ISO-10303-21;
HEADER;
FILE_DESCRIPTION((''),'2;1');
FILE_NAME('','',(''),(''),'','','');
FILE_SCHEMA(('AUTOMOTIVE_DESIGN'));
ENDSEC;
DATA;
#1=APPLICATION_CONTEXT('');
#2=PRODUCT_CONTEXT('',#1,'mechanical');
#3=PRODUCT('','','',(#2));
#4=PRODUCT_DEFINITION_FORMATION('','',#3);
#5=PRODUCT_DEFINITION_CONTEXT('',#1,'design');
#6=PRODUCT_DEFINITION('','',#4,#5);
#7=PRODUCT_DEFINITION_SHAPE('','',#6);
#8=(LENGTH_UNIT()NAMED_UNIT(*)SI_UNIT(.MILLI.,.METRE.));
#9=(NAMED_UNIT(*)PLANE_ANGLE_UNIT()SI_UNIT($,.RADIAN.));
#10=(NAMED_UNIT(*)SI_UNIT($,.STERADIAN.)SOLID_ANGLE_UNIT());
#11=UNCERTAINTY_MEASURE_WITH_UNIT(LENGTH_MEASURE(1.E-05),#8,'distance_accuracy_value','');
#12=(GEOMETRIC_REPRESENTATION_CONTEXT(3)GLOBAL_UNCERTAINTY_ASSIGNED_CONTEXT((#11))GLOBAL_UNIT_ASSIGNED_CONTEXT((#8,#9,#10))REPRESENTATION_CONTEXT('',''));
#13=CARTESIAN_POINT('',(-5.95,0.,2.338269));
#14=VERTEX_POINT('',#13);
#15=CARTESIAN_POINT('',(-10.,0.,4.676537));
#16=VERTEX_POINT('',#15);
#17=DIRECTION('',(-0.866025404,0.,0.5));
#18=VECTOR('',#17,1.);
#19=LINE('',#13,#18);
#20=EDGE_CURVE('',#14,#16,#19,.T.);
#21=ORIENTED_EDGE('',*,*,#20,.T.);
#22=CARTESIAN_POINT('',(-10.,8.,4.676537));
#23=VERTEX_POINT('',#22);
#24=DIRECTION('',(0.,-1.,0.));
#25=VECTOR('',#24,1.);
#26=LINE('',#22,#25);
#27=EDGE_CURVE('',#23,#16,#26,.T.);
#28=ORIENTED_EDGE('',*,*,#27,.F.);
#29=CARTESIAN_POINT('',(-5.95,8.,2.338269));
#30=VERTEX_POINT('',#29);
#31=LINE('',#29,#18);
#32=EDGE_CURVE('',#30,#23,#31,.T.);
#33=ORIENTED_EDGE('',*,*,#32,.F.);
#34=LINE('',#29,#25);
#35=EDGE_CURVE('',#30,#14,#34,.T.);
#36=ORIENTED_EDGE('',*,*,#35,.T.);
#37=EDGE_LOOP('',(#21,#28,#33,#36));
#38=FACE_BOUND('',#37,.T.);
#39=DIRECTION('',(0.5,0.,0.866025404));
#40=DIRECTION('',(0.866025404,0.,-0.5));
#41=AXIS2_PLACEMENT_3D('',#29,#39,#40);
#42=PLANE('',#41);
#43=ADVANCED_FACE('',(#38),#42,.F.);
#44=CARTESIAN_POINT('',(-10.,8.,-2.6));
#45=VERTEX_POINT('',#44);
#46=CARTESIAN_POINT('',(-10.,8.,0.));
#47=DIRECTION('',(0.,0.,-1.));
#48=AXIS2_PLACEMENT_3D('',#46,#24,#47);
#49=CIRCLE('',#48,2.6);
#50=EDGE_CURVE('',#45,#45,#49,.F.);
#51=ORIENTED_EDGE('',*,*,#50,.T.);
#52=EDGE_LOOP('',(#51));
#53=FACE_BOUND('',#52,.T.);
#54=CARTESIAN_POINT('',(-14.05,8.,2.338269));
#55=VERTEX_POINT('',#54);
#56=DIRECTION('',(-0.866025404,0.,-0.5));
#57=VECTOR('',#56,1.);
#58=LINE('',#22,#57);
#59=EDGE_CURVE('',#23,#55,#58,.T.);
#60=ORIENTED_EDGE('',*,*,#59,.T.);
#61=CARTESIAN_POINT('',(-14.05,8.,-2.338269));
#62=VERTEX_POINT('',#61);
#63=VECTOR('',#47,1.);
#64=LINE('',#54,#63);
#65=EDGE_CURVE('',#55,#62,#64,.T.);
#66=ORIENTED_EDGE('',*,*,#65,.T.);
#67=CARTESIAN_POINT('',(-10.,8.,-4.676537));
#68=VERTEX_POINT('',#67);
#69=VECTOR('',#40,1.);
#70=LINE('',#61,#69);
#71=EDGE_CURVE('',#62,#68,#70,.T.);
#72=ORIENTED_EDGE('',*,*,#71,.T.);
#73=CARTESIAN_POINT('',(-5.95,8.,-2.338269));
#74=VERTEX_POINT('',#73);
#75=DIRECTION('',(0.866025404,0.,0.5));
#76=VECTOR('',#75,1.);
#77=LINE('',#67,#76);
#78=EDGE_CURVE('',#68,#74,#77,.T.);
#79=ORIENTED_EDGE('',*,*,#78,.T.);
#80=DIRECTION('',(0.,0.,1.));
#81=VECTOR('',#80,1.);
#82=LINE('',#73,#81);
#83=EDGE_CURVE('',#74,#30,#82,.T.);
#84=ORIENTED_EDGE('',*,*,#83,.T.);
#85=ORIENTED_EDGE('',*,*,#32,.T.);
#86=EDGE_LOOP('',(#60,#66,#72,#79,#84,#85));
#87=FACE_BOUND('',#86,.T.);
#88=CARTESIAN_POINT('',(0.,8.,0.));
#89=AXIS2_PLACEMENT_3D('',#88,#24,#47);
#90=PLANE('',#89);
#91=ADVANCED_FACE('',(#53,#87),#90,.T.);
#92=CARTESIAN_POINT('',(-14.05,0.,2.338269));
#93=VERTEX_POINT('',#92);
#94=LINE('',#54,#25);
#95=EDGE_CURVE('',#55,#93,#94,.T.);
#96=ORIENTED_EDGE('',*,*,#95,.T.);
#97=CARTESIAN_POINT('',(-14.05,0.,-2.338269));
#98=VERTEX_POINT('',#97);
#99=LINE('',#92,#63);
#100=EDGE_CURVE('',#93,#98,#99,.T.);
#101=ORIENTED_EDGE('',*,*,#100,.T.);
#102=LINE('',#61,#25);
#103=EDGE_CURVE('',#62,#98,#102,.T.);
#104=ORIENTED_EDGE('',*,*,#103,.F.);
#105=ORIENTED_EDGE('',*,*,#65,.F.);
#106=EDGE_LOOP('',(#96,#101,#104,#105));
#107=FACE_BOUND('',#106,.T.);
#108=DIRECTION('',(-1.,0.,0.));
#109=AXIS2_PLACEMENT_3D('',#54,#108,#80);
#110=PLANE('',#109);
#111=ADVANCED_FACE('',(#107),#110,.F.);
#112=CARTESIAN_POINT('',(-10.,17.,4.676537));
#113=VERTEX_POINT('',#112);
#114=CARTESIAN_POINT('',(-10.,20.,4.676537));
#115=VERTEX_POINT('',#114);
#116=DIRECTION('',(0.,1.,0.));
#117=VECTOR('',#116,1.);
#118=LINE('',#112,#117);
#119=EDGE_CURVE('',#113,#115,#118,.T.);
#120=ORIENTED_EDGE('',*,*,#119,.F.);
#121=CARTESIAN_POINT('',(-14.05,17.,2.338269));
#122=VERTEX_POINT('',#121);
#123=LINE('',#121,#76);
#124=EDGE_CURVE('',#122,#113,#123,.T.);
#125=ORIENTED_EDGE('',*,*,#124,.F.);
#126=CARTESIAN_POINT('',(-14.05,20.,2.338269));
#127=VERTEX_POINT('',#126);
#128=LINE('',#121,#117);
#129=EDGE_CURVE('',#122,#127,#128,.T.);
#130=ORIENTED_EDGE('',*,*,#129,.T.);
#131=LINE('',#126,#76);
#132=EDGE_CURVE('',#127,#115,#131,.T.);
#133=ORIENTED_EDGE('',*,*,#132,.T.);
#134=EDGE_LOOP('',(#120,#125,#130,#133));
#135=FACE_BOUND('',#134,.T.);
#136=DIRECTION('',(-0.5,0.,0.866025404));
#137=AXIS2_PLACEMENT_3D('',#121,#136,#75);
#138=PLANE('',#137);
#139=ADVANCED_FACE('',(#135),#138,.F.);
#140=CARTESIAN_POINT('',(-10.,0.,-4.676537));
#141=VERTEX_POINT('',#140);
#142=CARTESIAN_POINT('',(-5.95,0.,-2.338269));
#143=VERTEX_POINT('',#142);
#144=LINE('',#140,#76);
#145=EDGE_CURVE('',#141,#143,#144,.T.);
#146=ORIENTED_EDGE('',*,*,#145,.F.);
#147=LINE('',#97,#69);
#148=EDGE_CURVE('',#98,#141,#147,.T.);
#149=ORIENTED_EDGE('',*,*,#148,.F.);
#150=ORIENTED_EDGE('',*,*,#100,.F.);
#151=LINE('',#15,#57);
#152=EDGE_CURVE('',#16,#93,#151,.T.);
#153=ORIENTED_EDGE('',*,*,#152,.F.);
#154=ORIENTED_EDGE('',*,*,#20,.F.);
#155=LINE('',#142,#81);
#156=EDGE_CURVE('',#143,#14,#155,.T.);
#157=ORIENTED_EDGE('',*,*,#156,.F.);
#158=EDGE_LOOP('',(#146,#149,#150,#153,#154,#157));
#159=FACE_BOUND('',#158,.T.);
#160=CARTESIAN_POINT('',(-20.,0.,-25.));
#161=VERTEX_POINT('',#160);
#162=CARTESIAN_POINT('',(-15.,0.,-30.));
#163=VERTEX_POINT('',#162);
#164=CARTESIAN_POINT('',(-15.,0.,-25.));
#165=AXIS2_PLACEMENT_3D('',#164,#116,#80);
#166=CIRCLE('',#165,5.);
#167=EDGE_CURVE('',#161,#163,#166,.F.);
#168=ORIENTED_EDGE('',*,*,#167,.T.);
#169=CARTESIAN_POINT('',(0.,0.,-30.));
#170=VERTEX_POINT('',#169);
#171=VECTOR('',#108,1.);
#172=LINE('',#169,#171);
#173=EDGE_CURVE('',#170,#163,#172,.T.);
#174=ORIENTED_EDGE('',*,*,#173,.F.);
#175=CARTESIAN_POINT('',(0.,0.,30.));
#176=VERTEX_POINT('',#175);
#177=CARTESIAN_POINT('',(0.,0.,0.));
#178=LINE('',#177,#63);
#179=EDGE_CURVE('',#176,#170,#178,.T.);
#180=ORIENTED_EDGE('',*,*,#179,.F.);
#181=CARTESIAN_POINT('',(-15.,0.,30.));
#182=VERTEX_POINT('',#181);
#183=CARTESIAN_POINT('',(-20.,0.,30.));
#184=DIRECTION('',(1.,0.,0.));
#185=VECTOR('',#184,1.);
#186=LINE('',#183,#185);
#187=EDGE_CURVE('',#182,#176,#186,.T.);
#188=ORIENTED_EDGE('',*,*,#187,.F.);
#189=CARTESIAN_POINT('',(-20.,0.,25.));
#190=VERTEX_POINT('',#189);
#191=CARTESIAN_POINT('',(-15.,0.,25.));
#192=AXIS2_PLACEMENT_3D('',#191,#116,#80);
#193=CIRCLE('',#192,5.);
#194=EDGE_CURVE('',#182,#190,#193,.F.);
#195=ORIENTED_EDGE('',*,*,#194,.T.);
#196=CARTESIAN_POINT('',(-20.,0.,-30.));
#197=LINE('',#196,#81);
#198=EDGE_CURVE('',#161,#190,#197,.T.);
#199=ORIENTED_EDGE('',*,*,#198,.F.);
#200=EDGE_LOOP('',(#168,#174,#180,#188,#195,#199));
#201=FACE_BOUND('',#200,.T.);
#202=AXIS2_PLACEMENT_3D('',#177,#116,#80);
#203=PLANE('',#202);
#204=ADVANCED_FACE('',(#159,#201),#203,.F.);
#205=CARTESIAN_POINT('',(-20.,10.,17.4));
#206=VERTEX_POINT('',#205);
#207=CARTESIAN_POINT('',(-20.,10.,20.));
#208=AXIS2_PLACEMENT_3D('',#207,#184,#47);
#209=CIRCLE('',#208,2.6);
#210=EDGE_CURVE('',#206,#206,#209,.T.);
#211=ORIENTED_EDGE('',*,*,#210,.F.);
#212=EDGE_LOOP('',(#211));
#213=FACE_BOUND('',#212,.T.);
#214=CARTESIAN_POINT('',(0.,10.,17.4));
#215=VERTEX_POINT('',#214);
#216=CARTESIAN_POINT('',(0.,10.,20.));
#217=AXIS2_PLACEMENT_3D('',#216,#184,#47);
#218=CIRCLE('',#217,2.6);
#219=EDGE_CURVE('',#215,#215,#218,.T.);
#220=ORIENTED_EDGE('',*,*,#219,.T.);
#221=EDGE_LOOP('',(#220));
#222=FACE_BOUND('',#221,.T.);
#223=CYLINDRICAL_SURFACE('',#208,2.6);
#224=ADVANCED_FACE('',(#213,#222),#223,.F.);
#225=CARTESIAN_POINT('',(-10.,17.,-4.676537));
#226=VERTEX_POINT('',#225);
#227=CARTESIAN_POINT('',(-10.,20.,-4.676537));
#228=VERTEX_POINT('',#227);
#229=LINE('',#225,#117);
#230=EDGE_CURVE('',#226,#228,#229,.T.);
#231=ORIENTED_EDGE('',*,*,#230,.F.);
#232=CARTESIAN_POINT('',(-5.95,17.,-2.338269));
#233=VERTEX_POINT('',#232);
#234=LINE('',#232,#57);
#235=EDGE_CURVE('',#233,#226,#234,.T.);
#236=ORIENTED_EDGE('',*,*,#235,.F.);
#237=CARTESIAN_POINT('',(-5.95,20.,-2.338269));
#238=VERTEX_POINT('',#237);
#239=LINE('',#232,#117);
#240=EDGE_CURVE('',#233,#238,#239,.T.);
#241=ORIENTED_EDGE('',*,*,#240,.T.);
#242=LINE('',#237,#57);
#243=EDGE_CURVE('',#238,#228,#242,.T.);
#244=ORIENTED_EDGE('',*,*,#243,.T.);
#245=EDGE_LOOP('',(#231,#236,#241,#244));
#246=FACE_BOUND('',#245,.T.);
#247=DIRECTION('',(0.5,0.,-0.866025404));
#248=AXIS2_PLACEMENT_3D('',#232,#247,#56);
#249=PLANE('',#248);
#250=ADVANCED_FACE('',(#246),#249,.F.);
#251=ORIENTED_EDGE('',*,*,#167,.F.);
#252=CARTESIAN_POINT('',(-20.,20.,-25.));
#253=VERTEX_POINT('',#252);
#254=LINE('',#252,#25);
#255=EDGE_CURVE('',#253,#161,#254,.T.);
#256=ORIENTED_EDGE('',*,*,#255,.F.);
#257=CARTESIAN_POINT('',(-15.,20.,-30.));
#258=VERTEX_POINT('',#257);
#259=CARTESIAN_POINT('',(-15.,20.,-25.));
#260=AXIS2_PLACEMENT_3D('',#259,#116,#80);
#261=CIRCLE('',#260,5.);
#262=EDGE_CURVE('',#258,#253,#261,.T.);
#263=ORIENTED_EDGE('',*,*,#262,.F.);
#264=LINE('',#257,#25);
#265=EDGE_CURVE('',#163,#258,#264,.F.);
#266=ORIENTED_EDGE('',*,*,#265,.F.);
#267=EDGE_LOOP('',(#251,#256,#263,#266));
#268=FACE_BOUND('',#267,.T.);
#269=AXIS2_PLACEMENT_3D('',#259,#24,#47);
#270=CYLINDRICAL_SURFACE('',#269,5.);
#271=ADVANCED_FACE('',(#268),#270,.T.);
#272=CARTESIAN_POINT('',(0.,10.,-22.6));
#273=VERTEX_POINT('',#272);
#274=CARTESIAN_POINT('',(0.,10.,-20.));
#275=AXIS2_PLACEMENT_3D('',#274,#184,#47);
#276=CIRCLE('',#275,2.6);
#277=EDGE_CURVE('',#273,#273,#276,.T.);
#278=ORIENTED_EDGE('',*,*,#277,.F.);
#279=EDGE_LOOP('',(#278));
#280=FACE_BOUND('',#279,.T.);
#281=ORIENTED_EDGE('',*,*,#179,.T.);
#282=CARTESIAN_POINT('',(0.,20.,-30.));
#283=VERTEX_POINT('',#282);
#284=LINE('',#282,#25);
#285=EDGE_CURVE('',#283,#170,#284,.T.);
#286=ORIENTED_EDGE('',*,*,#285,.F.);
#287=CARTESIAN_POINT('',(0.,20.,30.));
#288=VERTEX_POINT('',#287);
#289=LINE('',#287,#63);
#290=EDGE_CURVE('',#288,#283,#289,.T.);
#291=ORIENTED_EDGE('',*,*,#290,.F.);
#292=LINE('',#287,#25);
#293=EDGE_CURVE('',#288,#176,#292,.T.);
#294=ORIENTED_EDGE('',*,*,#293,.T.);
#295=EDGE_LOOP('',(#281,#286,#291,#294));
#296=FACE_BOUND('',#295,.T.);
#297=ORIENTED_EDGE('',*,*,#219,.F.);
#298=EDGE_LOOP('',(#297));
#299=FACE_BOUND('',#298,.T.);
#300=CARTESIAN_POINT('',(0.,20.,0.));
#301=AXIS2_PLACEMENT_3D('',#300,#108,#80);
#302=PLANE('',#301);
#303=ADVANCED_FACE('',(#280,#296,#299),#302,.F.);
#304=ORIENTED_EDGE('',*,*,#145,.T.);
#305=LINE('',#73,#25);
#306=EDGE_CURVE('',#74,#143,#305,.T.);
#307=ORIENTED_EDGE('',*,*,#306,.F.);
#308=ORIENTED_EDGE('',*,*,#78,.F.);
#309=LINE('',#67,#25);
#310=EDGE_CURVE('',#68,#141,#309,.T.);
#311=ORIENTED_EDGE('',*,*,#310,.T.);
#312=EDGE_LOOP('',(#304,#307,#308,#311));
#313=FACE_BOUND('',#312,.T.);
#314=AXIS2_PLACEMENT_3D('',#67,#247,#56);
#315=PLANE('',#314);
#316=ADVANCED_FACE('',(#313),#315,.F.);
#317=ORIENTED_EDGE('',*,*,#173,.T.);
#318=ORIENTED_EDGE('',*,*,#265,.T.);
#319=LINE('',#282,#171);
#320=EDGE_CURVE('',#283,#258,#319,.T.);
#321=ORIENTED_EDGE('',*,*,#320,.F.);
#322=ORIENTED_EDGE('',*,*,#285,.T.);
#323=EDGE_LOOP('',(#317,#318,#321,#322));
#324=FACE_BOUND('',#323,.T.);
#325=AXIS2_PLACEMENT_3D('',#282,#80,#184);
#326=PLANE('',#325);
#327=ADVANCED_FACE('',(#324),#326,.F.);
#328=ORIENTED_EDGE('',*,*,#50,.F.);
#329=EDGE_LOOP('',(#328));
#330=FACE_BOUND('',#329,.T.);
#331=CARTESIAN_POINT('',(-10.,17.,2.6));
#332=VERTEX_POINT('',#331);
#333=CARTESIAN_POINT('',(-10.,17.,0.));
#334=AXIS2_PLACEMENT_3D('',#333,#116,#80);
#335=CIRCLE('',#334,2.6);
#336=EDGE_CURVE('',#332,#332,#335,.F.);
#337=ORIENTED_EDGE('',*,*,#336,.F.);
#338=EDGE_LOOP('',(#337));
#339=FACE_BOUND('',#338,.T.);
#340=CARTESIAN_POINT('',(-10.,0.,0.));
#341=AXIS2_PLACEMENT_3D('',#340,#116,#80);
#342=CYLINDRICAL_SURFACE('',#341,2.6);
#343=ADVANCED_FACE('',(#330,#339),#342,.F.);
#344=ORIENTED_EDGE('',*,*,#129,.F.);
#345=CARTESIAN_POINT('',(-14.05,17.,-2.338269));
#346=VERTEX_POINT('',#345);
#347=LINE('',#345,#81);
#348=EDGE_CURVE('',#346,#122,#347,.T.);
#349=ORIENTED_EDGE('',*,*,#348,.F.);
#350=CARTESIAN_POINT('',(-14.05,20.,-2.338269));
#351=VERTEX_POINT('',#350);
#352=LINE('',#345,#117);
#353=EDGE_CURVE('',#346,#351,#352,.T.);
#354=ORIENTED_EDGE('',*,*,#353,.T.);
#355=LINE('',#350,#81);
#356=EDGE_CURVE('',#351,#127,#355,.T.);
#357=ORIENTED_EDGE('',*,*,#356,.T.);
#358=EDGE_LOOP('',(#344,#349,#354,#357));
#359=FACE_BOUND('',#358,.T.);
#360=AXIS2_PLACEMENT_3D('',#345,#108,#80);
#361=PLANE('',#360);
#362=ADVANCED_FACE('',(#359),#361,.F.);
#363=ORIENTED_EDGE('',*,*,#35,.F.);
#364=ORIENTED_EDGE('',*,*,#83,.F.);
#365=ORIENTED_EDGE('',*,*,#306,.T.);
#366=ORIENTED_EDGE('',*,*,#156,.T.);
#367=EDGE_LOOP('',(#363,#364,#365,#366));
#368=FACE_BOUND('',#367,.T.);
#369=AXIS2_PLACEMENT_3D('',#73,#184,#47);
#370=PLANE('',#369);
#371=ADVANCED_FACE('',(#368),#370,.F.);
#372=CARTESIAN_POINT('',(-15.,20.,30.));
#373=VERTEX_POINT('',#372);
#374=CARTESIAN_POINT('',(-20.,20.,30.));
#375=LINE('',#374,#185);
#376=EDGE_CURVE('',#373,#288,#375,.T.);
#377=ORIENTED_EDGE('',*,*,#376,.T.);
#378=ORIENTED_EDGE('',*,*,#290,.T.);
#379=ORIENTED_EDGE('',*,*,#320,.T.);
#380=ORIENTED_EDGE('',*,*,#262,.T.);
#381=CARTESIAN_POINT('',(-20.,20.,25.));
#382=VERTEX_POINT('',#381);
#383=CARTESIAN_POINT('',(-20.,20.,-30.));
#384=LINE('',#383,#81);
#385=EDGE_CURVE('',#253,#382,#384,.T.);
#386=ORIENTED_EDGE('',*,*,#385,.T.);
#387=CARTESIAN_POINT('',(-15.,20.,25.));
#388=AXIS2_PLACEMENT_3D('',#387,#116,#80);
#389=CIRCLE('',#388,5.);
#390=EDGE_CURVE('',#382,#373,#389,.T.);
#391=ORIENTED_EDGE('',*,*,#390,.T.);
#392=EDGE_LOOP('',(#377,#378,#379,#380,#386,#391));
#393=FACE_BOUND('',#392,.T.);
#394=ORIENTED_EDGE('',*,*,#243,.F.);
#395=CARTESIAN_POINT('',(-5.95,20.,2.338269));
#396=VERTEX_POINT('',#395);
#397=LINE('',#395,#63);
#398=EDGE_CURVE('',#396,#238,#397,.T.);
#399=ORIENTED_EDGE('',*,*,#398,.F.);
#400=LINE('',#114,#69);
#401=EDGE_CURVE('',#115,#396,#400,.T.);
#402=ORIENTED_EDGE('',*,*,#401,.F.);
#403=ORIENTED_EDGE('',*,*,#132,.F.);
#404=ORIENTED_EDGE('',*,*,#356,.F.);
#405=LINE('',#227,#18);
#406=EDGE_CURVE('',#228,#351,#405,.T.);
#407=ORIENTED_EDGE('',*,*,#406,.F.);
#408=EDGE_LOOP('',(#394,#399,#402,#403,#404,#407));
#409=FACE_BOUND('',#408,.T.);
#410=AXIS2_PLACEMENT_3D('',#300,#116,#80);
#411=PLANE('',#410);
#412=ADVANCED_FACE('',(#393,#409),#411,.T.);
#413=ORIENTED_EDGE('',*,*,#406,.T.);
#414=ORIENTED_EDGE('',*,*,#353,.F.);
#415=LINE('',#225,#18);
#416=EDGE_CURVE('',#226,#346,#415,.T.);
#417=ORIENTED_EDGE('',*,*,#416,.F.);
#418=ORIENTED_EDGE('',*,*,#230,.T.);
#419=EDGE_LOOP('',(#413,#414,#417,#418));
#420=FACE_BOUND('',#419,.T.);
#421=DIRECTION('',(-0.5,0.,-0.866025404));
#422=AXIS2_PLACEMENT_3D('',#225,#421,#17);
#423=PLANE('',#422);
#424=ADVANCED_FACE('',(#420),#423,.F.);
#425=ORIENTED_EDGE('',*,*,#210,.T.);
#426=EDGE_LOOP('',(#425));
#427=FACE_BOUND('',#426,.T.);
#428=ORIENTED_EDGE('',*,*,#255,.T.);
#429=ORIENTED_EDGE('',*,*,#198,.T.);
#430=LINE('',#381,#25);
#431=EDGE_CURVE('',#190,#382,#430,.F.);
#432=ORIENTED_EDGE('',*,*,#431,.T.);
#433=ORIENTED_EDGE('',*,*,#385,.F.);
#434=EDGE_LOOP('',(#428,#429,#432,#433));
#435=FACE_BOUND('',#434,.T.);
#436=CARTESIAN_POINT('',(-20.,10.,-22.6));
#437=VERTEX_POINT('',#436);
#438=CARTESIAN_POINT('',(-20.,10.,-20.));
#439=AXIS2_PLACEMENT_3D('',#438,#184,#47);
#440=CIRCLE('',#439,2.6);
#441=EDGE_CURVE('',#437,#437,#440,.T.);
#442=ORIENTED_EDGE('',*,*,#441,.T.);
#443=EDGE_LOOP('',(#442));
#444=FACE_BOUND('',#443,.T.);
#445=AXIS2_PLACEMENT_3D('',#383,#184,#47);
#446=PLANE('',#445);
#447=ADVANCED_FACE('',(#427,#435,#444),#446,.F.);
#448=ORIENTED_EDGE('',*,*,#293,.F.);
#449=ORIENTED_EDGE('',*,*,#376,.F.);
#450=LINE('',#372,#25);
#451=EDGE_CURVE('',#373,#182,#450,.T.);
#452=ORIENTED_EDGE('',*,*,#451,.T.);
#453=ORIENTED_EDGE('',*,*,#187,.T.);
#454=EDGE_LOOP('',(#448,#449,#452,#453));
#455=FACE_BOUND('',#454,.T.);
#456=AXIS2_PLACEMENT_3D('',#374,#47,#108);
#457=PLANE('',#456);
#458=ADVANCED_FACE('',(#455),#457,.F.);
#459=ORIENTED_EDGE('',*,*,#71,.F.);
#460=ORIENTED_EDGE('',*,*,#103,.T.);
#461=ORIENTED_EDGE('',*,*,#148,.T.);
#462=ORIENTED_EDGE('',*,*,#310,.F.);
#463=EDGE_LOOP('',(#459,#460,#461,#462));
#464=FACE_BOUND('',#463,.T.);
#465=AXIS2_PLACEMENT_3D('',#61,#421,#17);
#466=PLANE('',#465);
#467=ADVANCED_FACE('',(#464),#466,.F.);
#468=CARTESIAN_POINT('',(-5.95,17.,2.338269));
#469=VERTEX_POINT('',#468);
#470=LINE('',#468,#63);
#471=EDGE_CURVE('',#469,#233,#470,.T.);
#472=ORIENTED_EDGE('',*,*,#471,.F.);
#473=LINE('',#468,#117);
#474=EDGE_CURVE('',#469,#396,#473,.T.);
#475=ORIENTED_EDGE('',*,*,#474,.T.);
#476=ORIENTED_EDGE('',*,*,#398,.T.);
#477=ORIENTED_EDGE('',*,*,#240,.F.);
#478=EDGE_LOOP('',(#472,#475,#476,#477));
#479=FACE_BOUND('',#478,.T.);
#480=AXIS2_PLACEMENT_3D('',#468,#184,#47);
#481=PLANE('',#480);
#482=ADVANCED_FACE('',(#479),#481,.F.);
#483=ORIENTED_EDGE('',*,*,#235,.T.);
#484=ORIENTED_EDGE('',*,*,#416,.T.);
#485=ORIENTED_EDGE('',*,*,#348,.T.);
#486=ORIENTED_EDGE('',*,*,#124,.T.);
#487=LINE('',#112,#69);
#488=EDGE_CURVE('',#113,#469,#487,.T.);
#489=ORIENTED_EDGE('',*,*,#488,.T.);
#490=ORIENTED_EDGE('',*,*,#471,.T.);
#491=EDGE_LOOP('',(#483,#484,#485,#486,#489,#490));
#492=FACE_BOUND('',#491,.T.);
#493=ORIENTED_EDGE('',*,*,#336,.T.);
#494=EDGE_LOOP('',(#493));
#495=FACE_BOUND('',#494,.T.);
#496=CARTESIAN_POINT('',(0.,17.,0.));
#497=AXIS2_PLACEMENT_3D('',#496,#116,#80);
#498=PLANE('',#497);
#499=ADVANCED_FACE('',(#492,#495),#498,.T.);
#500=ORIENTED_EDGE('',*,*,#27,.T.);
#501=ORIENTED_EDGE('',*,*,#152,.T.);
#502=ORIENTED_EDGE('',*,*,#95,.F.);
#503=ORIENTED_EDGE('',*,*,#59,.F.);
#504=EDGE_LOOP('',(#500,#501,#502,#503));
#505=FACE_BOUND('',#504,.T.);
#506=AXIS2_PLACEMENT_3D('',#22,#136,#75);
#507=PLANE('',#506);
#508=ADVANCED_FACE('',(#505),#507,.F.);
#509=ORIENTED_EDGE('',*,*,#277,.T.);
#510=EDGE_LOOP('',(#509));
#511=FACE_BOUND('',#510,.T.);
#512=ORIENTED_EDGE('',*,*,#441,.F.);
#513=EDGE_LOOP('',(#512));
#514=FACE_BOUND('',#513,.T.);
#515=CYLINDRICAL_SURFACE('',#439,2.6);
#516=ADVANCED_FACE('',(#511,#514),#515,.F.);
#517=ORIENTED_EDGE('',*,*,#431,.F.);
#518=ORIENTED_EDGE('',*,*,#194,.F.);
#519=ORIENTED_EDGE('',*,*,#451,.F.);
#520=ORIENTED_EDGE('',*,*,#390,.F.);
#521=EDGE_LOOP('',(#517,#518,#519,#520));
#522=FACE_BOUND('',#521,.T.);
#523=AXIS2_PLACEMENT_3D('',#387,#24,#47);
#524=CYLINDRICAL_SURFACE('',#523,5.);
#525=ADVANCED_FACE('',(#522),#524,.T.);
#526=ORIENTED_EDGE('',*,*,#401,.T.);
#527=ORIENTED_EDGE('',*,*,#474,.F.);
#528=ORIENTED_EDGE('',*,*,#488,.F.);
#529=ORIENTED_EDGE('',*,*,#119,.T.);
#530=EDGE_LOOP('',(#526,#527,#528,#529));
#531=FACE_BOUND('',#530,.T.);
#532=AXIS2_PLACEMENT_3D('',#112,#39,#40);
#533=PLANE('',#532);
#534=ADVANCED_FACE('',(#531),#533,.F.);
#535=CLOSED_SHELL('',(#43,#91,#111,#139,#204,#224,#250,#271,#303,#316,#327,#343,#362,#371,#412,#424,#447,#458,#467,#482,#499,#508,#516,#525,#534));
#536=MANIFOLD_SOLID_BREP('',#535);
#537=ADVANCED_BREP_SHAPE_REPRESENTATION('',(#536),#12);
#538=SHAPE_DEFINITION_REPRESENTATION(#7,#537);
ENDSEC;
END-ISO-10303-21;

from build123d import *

# Parameters (mm, degrees)
BOSS_EXTRUDE1_DEPTH = 20
SKETCH4_R           = 2.6
CUT_EXTRUDE1_DEPTH  = 42.231056256
CUT_EXTRUDE2_DEPTH  = 3
CUT_EXTRUDE3_DEPTH  = 8
SKETCH7_R           = 2.6
CUT_EXTRUDE4_DEPTH  = 42.231056256
FILLET1_R           = 5


with BuildPart() as part:
    # Sketch1 → Boss-Extrude1 (new body)
    with BuildSketch(Plane(origin=(0, 0, 0), x_dir=(1, 0, 0), z_dir=(0, 1, 0))):
        Polygon((0, 0), (0, 30), (-20, 30), (-20, -30), (0, -30), align=None)
    extrude(amount=BOSS_EXTRUDE1_DEPTH)

    # Sketch4 → Cut-Extrude1 (cut, through all)
    with BuildSketch(Plane(origin=(0, 20, 0), x_dir=(1, 0, 0), z_dir=(0, 1, 0))):
        with Locations(Location((-10, 0, 0), (0, 0, 270))):
            Circle(SKETCH4_R)
    extrude(amount=-CUT_EXTRUDE1_DEPTH, mode=Mode.SUBTRACT)

    # Sketch5 → Cut-Extrude2 (cut)
    with BuildSketch(Plane(origin=(0, 20, 0), x_dir=(1, 0, 0), z_dir=(0, 1, 0))):
        Polygon((-10, 4.67653718), (-14.05, 2.33826859), (-14.05, -2.33826859), (-10, -4.67653718), (-5.95, -2.33826859), (-5.95, 2.33826859), align=None)
    extrude(amount=-CUT_EXTRUDE2_DEPTH, mode=Mode.SUBTRACT)

    # Sketch6 → Cut-Extrude3 (cut)
    with BuildSketch(Plane.XZ):
        Polygon((-10, -4.67653718), (-5.95, -2.33826859), (-5.95, 2.33826859), (-10, 4.67653718), (-14.05, 2.33826859), (-14.05, -2.33826859), align=None)
    extrude(amount=-CUT_EXTRUDE3_DEPTH, mode=Mode.SUBTRACT)

    # Sketch7 → Cut-Extrude4 (cut, through all)
    with BuildSketch(Plane(origin=(0, 0, 0), x_dir=(0, 0, -1), z_dir=(1, 0, 0))):
        with Locations((-20, 10)):
            Circle(SKETCH7_R)
        with Locations((20, 10)):
            Circle(SKETCH7_R)
    extrude(amount=-CUT_EXTRUDE4_DEPTH, mode=Mode.SUBTRACT)

    # Fillet1
    fillet1_edges = [part.edges().sort_by_distance(p)[0] for p in [
        (-20, 10, 30),
        (-20, 10, -30),
    ]]
    fillet(fillet1_edges, radius=FILLET1_R)


solid = part.part
